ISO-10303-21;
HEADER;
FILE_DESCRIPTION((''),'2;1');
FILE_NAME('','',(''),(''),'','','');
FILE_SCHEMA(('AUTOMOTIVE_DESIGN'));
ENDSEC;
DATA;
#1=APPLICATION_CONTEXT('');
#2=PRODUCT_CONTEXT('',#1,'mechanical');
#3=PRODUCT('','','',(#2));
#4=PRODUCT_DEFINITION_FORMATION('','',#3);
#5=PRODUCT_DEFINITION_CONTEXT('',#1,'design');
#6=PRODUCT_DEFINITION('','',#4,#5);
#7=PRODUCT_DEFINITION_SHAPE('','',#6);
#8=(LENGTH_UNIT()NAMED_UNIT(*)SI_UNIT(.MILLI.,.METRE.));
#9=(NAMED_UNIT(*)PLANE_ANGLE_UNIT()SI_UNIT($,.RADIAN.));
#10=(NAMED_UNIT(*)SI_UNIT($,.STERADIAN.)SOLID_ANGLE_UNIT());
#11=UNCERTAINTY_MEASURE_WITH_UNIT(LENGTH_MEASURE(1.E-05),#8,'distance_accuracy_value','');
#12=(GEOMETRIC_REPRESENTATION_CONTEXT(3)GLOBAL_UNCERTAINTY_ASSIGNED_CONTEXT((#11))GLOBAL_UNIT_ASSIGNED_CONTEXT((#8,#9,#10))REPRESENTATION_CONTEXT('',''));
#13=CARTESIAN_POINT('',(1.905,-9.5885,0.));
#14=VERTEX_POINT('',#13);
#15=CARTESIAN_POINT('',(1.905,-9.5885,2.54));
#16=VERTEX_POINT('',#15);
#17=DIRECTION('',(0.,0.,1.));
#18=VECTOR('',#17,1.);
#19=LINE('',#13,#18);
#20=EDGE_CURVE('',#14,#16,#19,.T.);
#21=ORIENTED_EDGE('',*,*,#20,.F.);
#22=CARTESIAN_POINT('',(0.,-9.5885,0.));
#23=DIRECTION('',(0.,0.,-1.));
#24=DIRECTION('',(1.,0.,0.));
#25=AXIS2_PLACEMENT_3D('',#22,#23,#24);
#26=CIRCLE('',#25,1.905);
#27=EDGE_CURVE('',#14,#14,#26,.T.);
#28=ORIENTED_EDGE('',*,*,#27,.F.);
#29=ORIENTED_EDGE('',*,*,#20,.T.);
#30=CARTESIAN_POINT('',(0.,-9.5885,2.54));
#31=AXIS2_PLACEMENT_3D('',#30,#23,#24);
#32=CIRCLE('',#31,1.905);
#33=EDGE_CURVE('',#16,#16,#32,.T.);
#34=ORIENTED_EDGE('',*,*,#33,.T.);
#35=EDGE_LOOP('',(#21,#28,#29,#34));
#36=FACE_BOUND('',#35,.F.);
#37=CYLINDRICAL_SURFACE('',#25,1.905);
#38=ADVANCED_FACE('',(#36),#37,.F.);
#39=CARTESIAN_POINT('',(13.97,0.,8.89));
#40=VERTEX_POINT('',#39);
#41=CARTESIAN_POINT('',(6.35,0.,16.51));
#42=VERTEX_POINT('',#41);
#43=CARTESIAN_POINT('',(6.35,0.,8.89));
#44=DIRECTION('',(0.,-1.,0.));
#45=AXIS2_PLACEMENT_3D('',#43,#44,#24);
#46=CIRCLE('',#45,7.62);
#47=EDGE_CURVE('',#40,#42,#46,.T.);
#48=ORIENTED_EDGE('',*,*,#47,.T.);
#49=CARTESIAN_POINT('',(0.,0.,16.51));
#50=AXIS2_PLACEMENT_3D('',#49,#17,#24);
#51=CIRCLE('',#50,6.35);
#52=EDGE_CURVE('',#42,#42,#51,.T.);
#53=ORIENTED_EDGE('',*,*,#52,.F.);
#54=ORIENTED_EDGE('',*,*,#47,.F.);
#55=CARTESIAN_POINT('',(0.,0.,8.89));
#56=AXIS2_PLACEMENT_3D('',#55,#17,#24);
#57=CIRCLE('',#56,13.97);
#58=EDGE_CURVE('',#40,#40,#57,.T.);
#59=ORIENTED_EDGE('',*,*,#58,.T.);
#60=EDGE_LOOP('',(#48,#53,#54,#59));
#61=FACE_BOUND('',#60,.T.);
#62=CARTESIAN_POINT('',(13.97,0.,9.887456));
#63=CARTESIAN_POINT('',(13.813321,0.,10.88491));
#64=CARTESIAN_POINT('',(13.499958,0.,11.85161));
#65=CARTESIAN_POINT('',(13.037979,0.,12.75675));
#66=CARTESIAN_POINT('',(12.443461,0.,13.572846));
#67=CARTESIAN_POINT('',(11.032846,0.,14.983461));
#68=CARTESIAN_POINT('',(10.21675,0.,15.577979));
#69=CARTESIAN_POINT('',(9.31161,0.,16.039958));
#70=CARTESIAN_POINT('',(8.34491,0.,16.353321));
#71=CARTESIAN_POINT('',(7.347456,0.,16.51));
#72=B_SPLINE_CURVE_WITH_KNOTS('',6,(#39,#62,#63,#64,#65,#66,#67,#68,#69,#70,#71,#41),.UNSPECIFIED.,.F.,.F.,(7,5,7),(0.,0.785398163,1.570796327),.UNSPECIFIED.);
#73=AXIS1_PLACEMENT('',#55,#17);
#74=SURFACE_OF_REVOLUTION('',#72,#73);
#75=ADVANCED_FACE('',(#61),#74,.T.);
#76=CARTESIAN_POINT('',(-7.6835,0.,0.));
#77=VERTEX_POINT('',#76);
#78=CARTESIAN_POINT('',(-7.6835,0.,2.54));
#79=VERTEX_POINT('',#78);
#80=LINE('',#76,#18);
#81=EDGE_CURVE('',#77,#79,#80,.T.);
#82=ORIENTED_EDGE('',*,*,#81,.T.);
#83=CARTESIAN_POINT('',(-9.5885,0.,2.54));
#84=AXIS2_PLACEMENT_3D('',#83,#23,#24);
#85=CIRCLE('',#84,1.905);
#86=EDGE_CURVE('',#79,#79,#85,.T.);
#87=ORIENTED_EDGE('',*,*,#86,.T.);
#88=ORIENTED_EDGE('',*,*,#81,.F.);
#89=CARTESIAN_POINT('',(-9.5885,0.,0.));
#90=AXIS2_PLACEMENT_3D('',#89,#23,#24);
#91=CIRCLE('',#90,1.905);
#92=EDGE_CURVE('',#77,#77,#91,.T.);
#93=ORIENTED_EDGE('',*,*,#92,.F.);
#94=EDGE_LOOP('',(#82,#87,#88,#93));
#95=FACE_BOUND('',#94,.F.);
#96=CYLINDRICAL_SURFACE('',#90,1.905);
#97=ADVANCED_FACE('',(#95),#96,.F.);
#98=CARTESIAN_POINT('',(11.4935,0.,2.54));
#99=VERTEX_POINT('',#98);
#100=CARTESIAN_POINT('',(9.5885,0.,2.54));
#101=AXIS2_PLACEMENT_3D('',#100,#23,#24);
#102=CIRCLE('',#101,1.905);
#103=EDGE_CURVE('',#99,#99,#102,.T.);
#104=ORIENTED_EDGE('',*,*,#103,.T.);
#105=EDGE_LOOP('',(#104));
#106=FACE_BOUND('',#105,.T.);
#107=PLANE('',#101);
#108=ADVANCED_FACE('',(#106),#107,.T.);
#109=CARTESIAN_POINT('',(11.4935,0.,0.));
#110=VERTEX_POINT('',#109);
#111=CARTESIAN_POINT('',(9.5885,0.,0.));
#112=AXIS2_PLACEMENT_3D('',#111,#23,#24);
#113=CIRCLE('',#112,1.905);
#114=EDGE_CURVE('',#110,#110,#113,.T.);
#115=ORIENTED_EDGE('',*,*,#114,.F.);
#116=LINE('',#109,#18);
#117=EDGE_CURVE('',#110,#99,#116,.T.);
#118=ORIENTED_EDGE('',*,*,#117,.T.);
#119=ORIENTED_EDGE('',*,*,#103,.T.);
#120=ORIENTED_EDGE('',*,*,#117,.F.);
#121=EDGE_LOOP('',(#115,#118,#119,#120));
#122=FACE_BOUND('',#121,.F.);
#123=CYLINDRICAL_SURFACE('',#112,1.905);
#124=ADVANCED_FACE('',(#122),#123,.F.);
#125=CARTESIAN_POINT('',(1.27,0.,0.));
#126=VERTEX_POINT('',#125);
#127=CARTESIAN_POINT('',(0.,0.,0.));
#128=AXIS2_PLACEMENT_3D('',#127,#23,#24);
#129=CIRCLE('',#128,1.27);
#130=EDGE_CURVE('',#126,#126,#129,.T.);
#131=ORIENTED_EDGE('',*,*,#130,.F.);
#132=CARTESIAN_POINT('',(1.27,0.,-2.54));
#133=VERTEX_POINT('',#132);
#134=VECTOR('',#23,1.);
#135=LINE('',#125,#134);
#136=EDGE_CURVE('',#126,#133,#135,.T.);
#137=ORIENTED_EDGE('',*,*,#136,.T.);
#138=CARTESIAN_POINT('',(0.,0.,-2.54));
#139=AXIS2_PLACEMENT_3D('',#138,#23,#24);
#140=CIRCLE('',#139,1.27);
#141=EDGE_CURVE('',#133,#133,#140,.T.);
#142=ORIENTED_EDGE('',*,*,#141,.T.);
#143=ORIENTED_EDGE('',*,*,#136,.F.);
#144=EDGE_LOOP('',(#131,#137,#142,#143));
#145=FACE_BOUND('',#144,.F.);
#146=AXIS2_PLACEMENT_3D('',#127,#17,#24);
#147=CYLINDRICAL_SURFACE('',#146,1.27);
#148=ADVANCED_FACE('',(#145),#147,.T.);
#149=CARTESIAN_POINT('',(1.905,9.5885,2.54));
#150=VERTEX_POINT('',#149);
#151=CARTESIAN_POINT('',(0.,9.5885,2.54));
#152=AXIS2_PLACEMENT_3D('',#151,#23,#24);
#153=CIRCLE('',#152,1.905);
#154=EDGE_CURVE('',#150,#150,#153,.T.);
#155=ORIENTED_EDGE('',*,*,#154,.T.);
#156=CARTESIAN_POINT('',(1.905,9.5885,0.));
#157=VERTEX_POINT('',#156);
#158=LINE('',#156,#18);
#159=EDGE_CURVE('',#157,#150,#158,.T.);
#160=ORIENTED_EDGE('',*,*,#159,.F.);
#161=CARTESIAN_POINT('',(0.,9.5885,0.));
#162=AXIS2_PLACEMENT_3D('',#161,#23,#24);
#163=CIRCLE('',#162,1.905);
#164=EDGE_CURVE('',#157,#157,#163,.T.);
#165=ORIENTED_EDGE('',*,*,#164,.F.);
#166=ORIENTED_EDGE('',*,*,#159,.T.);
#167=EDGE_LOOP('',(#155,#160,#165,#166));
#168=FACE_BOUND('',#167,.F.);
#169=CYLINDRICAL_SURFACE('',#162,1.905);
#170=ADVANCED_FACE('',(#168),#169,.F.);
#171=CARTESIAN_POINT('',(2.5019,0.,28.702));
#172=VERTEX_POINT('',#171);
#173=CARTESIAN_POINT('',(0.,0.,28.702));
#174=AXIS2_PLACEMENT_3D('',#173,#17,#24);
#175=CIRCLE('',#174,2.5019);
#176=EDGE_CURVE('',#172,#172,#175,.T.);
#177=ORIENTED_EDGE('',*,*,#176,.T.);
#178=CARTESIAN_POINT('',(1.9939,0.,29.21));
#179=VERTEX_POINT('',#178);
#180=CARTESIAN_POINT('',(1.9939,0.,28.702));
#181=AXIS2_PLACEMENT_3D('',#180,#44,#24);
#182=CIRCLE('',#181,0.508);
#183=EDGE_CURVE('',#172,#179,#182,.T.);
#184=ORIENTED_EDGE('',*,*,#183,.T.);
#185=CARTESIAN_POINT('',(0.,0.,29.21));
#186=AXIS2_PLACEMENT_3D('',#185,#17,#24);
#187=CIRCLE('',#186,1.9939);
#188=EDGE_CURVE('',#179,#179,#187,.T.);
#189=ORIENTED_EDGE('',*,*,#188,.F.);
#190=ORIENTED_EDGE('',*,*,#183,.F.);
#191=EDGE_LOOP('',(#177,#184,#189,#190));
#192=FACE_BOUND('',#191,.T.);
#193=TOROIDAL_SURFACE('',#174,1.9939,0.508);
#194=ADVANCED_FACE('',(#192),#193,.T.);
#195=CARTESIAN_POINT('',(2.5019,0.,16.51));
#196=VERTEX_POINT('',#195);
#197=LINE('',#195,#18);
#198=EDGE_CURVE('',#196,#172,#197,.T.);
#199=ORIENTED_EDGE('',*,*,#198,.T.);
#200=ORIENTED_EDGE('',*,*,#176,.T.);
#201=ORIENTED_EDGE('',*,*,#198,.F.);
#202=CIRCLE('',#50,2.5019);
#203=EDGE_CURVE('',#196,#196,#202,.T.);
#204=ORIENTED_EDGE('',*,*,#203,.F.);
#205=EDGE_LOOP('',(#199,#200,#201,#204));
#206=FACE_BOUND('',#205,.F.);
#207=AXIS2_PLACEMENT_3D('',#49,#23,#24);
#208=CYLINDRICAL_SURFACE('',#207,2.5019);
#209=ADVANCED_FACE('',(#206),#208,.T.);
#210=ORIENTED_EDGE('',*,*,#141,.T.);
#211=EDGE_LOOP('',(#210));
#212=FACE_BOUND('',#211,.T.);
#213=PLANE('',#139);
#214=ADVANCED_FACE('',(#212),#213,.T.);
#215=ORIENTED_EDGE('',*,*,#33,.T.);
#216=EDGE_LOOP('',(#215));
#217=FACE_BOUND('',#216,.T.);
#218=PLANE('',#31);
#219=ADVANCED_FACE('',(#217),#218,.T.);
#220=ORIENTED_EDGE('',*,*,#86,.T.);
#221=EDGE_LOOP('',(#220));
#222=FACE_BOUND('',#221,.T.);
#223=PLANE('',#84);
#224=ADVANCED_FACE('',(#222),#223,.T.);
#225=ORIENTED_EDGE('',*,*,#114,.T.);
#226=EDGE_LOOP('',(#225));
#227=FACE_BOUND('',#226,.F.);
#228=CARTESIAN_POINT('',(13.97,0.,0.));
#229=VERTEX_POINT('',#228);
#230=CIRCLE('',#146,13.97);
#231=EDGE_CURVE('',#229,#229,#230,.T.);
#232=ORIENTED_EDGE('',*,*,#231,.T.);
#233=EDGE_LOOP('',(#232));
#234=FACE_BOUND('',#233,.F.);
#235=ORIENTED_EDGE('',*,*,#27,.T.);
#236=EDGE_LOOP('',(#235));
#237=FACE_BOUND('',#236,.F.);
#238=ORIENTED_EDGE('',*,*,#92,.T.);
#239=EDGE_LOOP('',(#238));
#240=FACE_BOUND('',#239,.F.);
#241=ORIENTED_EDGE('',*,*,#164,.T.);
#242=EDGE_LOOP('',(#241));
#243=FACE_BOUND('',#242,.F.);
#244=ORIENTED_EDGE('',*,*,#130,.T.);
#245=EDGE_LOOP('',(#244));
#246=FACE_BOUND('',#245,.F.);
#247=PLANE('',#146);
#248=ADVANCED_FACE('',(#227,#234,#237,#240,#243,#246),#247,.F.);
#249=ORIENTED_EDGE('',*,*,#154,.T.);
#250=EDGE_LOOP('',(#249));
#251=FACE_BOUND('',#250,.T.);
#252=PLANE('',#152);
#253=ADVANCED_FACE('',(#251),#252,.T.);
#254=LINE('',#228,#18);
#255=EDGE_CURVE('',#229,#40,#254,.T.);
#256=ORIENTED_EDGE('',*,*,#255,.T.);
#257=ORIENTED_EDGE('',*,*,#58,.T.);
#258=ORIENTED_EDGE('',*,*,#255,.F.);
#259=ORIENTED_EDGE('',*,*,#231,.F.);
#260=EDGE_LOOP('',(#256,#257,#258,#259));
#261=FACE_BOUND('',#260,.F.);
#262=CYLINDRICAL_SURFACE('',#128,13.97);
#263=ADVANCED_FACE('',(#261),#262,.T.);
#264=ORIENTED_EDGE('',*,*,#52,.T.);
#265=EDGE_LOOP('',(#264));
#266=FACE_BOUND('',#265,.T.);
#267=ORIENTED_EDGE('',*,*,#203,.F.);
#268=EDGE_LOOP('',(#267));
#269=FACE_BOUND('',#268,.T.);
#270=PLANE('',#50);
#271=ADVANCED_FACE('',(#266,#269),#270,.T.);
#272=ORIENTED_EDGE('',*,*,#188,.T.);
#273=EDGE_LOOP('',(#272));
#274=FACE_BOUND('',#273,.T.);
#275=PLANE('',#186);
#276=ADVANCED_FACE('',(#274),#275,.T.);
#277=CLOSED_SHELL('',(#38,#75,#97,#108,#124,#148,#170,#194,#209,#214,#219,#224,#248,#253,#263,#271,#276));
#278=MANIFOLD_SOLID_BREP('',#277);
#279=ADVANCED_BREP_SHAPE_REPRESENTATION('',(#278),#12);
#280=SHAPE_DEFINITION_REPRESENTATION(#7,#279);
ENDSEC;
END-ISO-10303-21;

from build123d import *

# Parameters (mm, degrees)
F0_R     = 13.97
F1_DEPTH = 16.51
F2_R     = 7.62
F3_R     = 1.27
F4_DEPTH = 2.54
F5_R     = 1.905
F6_DEPTH = 2.54
F7_R     = 2.5019
F8_DEPTH = 12.7
F9_R     = 0.508


with BuildPart() as f1:
    # F0 (on Top) → F1 (new body)
    with BuildSketch(Plane.XY):
        Circle(F0_R)
    extrude(amount=F1_DEPTH)

    # F2
    f2_edges = [f1.edges().sort_by_distance(p)[0] for p in [
        (-13.97, 0, 16.51),
    ]]
    fillet(f2_edges, radius=F2_R)

    # F3 (on face) → F4 (join)
    with BuildSketch(Plane(origin=(0, 0, 0), x_dir=(1, 0, 0), z_dir=(0, 0, -1))):
        Circle(F3_R)
    extrude(amount=F4_DEPTH)

    # F5 (on face) → F6 (cut)
    with BuildSketch(Plane(origin=(0, 0, 0), x_dir=(1, 0, 0), z_dir=(0, 0, -1))):
        with Locations((-9.5885, 0)):
            Circle(F5_R)
        with Locations((0, -9.5885)):
            Circle(F5_R)
        with Locations((9.5885, 0)):
            Circle(F5_R)
        with Locations((0, 9.5885)):
            Circle(F5_R)
    extrude(amount=-F6_DEPTH, mode=Mode.SUBTRACT)

    # F7 (on face) → F8 (join)
    with BuildSketch(Plane.XY.offset(16.51)):
        Circle(F7_R)
    extrude(amount=F8_DEPTH)

    # F9
    f9_edges = [f1.edges().sort_by_distance(p)[0] for p in [
        (-2.5019, 0, 29.21),
    ]]
    fillet(f9_edges, radius=F9_R)


solid = f1.part
